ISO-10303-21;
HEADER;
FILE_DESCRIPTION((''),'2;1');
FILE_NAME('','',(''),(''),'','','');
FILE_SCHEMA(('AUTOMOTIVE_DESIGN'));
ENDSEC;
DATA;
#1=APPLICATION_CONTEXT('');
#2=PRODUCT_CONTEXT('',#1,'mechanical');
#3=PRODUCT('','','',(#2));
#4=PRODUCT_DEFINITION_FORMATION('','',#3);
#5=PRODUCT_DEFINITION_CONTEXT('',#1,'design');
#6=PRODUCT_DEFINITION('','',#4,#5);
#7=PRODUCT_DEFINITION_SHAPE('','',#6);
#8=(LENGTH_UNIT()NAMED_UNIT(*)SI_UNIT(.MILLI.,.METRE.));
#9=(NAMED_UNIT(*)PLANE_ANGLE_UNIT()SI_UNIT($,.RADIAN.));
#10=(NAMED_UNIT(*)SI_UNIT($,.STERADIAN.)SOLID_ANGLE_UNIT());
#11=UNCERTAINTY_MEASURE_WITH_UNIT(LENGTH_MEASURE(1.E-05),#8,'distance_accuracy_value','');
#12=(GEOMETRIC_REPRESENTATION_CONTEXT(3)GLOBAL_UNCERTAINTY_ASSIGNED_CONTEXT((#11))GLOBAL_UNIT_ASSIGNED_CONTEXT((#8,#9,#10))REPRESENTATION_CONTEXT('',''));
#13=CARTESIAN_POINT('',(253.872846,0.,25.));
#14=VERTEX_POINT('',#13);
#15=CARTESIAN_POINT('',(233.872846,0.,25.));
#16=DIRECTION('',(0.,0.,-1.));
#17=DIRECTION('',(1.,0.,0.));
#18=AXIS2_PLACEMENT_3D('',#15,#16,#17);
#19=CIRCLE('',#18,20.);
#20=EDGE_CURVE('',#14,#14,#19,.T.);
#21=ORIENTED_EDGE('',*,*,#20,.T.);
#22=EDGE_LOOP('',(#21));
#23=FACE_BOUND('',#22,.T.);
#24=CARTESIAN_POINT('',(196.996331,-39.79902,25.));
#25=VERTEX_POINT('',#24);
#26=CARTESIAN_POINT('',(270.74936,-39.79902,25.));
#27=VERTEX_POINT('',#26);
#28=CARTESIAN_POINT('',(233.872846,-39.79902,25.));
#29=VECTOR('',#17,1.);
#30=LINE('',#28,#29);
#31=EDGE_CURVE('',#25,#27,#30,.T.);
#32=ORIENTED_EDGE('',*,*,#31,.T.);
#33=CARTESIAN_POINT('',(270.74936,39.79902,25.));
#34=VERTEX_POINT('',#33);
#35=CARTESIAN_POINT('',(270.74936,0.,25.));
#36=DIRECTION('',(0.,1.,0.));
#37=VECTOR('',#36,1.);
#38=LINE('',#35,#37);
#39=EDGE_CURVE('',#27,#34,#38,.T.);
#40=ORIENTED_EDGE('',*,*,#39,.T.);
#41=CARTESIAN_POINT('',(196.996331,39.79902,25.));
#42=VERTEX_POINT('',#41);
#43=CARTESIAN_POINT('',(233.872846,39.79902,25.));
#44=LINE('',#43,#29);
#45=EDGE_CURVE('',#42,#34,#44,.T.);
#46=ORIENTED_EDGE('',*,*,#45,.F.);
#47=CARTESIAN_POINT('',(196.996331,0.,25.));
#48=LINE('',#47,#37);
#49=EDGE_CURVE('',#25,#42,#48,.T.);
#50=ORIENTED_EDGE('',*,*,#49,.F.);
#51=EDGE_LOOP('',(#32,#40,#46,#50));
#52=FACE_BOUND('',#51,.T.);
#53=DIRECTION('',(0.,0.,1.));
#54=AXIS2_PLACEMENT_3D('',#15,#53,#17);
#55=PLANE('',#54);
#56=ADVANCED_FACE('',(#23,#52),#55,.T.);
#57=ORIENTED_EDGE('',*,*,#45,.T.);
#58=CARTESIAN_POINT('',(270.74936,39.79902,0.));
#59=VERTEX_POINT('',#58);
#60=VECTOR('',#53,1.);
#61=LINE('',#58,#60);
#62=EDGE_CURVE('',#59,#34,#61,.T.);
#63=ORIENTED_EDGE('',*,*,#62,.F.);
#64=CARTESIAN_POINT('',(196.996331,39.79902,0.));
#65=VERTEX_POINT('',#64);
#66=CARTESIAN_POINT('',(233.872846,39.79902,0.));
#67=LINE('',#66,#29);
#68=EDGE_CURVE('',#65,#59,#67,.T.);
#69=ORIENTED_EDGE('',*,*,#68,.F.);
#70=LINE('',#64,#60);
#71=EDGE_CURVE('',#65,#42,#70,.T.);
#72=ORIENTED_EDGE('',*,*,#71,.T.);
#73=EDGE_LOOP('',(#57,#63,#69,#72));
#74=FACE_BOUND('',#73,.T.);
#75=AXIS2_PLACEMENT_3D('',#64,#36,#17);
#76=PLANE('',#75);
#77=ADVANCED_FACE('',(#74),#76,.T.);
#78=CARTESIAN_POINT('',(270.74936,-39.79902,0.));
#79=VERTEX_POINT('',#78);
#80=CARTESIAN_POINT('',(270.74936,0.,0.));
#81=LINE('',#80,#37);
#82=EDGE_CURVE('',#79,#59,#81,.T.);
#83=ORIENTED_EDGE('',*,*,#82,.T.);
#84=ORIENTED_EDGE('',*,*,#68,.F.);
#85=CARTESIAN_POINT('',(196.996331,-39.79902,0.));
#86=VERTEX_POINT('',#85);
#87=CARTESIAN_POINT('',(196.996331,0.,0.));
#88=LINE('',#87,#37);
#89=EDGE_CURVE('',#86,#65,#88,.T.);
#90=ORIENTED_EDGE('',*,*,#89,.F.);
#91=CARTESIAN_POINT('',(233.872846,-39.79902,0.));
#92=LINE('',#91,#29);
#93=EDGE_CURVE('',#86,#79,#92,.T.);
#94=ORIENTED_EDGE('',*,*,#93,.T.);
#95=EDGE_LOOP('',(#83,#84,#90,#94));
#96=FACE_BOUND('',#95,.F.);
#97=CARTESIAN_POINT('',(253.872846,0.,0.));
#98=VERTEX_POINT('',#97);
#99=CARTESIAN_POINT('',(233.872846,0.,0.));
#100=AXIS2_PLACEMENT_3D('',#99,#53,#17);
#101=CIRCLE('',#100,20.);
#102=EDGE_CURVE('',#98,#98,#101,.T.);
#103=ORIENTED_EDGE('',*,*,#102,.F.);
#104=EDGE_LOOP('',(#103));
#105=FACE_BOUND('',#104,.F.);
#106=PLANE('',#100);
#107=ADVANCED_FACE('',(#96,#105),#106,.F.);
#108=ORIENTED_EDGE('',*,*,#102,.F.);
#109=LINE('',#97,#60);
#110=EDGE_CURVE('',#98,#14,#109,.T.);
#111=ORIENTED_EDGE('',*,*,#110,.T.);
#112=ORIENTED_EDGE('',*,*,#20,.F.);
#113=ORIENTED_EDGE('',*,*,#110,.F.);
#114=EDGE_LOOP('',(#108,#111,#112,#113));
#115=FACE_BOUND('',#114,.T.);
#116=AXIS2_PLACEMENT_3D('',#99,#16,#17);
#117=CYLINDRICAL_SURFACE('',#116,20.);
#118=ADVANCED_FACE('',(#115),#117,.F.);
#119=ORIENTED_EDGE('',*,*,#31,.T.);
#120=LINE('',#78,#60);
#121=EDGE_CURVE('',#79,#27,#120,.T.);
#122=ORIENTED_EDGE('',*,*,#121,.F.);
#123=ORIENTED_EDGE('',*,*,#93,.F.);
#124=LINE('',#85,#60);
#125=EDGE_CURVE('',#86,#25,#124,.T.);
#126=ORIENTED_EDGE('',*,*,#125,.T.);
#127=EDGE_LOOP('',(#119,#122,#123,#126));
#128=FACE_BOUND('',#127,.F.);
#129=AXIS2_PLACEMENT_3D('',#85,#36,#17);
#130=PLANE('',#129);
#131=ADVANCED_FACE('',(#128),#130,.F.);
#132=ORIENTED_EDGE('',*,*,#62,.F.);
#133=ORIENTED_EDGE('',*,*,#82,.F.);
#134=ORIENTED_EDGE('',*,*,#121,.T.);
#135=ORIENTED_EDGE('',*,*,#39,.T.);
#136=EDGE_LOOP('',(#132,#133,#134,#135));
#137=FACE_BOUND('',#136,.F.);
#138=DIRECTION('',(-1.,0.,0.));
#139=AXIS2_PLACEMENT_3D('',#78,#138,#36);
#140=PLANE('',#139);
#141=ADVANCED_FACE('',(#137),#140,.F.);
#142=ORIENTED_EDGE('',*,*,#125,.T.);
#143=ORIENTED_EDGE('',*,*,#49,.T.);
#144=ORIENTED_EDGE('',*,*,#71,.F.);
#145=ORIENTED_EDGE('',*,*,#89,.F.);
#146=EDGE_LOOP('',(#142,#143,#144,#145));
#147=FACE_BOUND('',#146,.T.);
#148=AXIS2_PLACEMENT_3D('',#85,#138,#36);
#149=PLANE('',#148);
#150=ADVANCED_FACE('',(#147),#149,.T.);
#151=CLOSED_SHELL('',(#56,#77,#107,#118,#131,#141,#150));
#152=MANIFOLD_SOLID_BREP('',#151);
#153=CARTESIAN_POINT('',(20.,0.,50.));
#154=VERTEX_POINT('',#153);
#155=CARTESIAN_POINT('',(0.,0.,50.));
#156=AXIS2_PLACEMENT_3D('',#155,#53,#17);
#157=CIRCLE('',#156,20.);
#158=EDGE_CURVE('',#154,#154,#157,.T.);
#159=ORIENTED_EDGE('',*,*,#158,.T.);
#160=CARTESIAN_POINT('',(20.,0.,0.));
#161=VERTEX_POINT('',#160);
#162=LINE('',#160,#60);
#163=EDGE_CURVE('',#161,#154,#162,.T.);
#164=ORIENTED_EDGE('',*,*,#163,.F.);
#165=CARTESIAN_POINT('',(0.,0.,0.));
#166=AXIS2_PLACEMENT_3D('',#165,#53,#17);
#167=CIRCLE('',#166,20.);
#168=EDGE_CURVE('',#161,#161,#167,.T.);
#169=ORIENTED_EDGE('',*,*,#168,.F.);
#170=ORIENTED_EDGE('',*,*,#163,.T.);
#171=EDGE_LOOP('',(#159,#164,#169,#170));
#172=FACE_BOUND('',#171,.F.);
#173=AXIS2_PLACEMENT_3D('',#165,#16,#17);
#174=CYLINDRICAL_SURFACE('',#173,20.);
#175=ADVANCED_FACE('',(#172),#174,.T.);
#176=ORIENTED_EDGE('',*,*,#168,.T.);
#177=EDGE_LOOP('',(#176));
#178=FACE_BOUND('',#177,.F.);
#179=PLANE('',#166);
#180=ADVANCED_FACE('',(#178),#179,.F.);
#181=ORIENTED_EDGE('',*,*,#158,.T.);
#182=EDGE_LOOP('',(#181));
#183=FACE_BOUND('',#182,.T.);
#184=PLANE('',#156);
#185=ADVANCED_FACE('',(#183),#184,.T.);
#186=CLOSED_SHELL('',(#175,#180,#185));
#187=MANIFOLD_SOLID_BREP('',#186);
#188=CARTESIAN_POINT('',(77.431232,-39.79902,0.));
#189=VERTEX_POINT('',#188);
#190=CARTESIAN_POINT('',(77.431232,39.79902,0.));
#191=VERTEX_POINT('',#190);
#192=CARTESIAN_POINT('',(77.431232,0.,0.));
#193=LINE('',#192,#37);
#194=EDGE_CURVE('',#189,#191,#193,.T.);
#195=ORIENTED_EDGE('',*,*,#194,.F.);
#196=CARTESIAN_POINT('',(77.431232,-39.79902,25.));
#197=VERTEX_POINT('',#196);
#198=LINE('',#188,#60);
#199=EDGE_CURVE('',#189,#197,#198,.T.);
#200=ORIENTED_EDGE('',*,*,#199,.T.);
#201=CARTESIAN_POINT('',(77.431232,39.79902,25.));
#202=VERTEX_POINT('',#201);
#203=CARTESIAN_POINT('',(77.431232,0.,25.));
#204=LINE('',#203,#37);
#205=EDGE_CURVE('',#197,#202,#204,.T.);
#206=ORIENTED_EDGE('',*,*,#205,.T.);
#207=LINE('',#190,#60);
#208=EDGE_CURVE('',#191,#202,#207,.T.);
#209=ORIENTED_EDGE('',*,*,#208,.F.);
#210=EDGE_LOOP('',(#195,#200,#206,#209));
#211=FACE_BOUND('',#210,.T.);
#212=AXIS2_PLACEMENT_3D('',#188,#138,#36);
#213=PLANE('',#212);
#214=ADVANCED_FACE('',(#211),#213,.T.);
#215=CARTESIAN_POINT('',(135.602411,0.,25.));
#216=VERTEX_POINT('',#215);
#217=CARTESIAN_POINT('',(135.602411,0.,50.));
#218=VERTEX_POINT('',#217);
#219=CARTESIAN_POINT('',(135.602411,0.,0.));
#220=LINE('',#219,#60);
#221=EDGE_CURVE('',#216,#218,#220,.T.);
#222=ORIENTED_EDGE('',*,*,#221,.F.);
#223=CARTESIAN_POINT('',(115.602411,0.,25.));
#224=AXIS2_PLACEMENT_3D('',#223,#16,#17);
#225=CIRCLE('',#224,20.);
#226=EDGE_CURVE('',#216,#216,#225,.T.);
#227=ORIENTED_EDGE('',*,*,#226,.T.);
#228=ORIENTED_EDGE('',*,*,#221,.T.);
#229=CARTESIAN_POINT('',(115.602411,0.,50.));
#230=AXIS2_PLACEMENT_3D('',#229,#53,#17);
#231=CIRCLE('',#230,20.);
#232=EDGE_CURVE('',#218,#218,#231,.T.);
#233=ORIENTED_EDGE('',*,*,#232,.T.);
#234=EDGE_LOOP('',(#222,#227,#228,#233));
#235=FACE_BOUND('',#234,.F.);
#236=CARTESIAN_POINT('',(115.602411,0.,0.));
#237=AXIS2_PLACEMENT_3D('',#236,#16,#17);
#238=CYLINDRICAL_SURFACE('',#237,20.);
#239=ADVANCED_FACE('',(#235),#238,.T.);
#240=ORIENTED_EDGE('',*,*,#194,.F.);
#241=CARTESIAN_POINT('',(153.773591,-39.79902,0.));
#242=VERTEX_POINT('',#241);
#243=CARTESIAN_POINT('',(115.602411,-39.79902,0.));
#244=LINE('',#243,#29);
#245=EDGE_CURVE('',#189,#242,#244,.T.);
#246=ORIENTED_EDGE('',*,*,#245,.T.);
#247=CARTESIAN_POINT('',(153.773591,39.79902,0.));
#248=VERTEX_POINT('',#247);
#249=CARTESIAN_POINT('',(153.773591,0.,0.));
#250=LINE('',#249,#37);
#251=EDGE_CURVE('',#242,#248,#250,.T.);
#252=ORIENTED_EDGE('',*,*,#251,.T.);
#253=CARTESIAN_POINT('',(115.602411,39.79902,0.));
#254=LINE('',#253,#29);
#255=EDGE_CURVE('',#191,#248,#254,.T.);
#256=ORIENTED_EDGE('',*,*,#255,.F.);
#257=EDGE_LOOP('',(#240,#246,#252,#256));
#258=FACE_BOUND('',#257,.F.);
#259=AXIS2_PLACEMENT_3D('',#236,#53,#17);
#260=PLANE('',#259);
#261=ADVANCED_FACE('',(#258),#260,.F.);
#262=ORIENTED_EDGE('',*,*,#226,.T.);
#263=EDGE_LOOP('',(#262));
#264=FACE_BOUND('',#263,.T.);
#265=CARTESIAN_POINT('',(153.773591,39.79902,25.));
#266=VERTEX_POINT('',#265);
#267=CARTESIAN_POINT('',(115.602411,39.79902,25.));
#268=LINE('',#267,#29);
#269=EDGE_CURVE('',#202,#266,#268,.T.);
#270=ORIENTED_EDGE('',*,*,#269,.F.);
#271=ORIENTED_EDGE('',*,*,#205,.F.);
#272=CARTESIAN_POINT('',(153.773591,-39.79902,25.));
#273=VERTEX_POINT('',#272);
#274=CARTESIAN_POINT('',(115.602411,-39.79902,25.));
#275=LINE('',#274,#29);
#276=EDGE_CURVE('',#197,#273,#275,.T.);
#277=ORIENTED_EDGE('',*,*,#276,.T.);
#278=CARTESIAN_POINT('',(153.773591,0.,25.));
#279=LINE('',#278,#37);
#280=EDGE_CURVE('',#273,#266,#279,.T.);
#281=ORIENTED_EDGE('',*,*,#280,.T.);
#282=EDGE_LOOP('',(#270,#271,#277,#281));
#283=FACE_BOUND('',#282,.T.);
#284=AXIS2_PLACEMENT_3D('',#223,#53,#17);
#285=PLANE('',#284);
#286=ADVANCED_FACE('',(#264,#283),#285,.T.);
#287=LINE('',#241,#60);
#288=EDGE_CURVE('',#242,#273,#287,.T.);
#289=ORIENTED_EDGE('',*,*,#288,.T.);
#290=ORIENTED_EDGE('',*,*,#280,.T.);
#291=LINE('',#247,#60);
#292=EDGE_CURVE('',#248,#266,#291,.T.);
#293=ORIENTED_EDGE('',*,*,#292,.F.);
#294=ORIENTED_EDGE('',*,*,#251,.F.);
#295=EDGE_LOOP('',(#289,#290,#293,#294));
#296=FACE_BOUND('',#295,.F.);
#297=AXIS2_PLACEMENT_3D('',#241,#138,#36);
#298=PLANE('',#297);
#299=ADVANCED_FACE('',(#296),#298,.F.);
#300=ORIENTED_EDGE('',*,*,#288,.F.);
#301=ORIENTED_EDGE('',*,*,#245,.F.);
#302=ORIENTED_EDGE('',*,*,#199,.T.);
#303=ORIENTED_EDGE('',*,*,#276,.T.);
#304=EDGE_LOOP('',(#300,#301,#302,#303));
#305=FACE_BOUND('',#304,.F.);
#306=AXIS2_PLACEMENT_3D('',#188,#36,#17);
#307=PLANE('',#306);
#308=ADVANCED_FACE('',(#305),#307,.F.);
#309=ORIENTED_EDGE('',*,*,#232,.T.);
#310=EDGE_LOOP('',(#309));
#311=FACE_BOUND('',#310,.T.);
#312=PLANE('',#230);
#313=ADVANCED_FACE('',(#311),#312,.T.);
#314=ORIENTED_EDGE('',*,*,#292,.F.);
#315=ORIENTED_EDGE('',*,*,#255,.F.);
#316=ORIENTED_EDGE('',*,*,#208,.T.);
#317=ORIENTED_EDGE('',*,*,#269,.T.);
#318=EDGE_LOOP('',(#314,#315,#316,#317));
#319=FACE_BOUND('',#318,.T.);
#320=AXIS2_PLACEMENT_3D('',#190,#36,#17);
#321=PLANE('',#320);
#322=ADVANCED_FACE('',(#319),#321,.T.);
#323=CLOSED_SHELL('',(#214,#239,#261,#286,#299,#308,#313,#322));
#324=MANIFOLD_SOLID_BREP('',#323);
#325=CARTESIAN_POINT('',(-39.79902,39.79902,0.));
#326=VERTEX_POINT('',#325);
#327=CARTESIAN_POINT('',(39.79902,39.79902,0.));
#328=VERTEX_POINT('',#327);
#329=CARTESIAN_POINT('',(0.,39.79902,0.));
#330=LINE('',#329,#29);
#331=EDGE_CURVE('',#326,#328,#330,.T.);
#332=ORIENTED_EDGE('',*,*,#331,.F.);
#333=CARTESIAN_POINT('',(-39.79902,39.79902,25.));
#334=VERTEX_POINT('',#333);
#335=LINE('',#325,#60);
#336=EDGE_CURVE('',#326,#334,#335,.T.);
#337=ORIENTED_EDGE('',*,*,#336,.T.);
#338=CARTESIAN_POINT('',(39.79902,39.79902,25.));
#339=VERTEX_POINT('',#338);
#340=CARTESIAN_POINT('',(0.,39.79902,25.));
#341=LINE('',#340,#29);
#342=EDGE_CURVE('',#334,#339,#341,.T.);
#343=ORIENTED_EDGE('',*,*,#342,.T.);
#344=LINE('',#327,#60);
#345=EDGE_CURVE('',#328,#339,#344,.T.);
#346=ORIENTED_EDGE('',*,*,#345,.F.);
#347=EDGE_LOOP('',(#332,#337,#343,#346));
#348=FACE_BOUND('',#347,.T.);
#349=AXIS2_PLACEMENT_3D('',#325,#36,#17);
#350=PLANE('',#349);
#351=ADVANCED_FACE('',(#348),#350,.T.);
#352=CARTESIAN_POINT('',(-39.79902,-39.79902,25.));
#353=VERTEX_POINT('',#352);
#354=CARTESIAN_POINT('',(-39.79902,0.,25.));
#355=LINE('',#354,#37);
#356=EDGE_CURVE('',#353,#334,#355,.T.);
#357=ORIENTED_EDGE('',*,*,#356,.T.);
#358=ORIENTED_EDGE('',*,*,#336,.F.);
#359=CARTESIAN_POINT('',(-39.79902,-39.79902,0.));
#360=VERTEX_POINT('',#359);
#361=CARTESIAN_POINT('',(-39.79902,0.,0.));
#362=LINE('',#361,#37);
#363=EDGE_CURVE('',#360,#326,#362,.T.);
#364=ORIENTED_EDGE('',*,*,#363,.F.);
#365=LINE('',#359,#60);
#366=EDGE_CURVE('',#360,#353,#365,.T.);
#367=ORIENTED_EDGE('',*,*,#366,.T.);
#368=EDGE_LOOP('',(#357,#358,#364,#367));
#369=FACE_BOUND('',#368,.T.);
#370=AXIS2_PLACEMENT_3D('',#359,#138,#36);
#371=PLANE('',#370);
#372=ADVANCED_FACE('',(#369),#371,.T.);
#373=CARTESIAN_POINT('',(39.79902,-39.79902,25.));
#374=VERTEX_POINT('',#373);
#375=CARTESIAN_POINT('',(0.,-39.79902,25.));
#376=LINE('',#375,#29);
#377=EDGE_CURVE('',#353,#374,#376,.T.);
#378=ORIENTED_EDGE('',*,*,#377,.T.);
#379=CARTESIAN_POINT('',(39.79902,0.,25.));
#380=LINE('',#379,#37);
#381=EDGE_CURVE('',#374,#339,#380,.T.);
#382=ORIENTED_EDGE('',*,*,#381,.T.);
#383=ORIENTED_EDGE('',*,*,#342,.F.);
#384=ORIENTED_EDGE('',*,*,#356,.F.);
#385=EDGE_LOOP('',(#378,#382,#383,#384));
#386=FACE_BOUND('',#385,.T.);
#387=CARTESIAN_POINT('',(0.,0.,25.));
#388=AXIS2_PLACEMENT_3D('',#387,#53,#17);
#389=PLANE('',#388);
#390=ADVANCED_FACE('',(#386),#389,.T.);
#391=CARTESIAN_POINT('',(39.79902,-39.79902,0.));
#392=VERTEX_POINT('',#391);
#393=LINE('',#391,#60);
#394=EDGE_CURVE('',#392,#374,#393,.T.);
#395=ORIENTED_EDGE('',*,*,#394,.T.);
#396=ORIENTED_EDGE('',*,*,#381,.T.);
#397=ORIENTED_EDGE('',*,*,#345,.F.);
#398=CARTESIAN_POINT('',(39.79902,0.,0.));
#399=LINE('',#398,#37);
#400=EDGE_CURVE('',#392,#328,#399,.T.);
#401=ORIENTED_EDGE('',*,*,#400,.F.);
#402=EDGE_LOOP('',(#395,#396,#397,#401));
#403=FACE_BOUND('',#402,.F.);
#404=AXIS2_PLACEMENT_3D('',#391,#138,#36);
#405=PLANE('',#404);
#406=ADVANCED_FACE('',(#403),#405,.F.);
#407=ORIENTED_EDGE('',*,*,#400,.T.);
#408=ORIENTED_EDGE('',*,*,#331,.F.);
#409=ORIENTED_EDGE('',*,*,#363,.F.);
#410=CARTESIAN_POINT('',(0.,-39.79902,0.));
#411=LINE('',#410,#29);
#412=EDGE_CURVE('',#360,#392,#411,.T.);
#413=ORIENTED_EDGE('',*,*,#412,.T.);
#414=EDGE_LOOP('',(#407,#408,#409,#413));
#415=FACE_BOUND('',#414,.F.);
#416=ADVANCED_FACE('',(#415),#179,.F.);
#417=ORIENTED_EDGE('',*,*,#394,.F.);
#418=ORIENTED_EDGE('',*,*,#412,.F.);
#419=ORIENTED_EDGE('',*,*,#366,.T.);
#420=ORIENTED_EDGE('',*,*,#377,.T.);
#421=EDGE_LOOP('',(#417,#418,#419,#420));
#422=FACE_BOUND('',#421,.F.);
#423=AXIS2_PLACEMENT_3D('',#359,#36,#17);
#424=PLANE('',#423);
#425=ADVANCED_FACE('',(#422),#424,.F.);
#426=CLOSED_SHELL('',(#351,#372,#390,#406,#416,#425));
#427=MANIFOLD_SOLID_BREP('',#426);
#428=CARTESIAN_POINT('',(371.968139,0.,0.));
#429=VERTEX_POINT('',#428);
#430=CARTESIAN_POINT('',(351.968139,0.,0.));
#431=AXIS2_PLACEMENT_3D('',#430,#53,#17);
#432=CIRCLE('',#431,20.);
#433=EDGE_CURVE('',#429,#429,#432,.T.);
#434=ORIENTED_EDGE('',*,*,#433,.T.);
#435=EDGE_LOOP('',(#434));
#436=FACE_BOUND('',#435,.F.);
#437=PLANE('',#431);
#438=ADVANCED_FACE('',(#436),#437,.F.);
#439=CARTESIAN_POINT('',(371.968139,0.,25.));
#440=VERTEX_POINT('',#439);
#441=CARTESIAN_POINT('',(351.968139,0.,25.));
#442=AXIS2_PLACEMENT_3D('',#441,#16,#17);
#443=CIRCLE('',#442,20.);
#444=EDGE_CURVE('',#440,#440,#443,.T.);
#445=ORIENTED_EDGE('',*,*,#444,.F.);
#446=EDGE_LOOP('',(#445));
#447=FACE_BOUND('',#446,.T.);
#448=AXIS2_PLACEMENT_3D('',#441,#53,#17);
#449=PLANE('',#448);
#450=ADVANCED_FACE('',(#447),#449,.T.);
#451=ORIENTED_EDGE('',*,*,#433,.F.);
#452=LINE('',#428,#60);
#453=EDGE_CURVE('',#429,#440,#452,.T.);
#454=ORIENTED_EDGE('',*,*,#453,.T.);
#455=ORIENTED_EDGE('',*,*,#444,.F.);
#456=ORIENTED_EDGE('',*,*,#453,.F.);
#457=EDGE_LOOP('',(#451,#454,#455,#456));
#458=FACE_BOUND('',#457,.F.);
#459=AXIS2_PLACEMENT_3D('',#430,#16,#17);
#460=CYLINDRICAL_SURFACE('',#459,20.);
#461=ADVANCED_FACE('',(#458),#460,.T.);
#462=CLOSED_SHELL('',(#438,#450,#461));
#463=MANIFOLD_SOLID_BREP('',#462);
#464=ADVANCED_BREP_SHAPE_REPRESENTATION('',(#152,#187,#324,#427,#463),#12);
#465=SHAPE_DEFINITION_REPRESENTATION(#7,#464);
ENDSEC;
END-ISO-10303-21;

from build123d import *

# Parameters (mm, degrees)
F0_W     = 79.5980393887
F0_H     = 79.5980393887
F1_DEPTH = 25
F0_W_2   = 76.3423591852
F0_W_3   = 73.753029108
F0_W_4   = 83.3638906479
F2_R     = 20
F3_DEPTH = 50
F4_DEPTH = 50
F5_DEPTH = 50
F6_DEPTH = 50


with BuildPart() as f1:
    # F0 (on Top) → F1 (new body)
    with BuildSketch(Plane.XY):
        Rectangle(F0_W, F0_H)
    extrude(amount=F1_DEPTH)


with BuildPart() as f1b:
    # F0 (on Top) → F1, piece 2 (new body)
    with BuildSketch(Plane.XY):
        with Locations((115.6024113297, 0)):
            Rectangle(F0_W_2, F0_H)
    extrude(amount=F1_DEPTH)

    # F2 (on Top) → F4 (join)
    with BuildSketch(Plane.XY):
        with Locations((115.6024113297, 0)):
            Circle(F2_R)
    extrude(amount=F4_DEPTH)


with BuildPart() as f1c:
    # F0 (on Top) → F1, piece 3 (new body)
    with BuildSketch(Plane.XY):
        with Locations((233.8728457689, 0)):
            Rectangle(F0_W_3, F0_H)
    extrude(amount=F1_DEPTH)

    # F2 (on Top) → F5 (cut)
    with BuildSketch(Plane.XY):
        with Locations((233.8728457689, 0)):
            Circle(F2_R)
    extrude(amount=F5_DEPTH, mode=Mode.SUBTRACT)


with BuildPart() as f1d:
    # F0 (on Top) → F1, piece 4 (new body)
    with BuildSketch(Plane.XY):
        with Locations((351.96813941, 0)):
            Rectangle(F0_W_4, F0_H)
    extrude(amount=F1_DEPTH)

    # F2 (on Top) → F6 (intersect)
    with BuildSketch(Plane.XY):
        with Locations((351.96813941, 0)):
            Circle(F2_R)
    extrude(amount=F6_DEPTH, mode=Mode.INTERSECT)


with BuildPart() as f3:
    # F2 (on Top) → F3 (new body)
    with BuildSketch(Plane.XY):
        Circle(F2_R)
    extrude(amount=F3_DEPTH)


solid = Compound([f1.part, f1b.part, f1c.part, f1d.part, f3.part])
